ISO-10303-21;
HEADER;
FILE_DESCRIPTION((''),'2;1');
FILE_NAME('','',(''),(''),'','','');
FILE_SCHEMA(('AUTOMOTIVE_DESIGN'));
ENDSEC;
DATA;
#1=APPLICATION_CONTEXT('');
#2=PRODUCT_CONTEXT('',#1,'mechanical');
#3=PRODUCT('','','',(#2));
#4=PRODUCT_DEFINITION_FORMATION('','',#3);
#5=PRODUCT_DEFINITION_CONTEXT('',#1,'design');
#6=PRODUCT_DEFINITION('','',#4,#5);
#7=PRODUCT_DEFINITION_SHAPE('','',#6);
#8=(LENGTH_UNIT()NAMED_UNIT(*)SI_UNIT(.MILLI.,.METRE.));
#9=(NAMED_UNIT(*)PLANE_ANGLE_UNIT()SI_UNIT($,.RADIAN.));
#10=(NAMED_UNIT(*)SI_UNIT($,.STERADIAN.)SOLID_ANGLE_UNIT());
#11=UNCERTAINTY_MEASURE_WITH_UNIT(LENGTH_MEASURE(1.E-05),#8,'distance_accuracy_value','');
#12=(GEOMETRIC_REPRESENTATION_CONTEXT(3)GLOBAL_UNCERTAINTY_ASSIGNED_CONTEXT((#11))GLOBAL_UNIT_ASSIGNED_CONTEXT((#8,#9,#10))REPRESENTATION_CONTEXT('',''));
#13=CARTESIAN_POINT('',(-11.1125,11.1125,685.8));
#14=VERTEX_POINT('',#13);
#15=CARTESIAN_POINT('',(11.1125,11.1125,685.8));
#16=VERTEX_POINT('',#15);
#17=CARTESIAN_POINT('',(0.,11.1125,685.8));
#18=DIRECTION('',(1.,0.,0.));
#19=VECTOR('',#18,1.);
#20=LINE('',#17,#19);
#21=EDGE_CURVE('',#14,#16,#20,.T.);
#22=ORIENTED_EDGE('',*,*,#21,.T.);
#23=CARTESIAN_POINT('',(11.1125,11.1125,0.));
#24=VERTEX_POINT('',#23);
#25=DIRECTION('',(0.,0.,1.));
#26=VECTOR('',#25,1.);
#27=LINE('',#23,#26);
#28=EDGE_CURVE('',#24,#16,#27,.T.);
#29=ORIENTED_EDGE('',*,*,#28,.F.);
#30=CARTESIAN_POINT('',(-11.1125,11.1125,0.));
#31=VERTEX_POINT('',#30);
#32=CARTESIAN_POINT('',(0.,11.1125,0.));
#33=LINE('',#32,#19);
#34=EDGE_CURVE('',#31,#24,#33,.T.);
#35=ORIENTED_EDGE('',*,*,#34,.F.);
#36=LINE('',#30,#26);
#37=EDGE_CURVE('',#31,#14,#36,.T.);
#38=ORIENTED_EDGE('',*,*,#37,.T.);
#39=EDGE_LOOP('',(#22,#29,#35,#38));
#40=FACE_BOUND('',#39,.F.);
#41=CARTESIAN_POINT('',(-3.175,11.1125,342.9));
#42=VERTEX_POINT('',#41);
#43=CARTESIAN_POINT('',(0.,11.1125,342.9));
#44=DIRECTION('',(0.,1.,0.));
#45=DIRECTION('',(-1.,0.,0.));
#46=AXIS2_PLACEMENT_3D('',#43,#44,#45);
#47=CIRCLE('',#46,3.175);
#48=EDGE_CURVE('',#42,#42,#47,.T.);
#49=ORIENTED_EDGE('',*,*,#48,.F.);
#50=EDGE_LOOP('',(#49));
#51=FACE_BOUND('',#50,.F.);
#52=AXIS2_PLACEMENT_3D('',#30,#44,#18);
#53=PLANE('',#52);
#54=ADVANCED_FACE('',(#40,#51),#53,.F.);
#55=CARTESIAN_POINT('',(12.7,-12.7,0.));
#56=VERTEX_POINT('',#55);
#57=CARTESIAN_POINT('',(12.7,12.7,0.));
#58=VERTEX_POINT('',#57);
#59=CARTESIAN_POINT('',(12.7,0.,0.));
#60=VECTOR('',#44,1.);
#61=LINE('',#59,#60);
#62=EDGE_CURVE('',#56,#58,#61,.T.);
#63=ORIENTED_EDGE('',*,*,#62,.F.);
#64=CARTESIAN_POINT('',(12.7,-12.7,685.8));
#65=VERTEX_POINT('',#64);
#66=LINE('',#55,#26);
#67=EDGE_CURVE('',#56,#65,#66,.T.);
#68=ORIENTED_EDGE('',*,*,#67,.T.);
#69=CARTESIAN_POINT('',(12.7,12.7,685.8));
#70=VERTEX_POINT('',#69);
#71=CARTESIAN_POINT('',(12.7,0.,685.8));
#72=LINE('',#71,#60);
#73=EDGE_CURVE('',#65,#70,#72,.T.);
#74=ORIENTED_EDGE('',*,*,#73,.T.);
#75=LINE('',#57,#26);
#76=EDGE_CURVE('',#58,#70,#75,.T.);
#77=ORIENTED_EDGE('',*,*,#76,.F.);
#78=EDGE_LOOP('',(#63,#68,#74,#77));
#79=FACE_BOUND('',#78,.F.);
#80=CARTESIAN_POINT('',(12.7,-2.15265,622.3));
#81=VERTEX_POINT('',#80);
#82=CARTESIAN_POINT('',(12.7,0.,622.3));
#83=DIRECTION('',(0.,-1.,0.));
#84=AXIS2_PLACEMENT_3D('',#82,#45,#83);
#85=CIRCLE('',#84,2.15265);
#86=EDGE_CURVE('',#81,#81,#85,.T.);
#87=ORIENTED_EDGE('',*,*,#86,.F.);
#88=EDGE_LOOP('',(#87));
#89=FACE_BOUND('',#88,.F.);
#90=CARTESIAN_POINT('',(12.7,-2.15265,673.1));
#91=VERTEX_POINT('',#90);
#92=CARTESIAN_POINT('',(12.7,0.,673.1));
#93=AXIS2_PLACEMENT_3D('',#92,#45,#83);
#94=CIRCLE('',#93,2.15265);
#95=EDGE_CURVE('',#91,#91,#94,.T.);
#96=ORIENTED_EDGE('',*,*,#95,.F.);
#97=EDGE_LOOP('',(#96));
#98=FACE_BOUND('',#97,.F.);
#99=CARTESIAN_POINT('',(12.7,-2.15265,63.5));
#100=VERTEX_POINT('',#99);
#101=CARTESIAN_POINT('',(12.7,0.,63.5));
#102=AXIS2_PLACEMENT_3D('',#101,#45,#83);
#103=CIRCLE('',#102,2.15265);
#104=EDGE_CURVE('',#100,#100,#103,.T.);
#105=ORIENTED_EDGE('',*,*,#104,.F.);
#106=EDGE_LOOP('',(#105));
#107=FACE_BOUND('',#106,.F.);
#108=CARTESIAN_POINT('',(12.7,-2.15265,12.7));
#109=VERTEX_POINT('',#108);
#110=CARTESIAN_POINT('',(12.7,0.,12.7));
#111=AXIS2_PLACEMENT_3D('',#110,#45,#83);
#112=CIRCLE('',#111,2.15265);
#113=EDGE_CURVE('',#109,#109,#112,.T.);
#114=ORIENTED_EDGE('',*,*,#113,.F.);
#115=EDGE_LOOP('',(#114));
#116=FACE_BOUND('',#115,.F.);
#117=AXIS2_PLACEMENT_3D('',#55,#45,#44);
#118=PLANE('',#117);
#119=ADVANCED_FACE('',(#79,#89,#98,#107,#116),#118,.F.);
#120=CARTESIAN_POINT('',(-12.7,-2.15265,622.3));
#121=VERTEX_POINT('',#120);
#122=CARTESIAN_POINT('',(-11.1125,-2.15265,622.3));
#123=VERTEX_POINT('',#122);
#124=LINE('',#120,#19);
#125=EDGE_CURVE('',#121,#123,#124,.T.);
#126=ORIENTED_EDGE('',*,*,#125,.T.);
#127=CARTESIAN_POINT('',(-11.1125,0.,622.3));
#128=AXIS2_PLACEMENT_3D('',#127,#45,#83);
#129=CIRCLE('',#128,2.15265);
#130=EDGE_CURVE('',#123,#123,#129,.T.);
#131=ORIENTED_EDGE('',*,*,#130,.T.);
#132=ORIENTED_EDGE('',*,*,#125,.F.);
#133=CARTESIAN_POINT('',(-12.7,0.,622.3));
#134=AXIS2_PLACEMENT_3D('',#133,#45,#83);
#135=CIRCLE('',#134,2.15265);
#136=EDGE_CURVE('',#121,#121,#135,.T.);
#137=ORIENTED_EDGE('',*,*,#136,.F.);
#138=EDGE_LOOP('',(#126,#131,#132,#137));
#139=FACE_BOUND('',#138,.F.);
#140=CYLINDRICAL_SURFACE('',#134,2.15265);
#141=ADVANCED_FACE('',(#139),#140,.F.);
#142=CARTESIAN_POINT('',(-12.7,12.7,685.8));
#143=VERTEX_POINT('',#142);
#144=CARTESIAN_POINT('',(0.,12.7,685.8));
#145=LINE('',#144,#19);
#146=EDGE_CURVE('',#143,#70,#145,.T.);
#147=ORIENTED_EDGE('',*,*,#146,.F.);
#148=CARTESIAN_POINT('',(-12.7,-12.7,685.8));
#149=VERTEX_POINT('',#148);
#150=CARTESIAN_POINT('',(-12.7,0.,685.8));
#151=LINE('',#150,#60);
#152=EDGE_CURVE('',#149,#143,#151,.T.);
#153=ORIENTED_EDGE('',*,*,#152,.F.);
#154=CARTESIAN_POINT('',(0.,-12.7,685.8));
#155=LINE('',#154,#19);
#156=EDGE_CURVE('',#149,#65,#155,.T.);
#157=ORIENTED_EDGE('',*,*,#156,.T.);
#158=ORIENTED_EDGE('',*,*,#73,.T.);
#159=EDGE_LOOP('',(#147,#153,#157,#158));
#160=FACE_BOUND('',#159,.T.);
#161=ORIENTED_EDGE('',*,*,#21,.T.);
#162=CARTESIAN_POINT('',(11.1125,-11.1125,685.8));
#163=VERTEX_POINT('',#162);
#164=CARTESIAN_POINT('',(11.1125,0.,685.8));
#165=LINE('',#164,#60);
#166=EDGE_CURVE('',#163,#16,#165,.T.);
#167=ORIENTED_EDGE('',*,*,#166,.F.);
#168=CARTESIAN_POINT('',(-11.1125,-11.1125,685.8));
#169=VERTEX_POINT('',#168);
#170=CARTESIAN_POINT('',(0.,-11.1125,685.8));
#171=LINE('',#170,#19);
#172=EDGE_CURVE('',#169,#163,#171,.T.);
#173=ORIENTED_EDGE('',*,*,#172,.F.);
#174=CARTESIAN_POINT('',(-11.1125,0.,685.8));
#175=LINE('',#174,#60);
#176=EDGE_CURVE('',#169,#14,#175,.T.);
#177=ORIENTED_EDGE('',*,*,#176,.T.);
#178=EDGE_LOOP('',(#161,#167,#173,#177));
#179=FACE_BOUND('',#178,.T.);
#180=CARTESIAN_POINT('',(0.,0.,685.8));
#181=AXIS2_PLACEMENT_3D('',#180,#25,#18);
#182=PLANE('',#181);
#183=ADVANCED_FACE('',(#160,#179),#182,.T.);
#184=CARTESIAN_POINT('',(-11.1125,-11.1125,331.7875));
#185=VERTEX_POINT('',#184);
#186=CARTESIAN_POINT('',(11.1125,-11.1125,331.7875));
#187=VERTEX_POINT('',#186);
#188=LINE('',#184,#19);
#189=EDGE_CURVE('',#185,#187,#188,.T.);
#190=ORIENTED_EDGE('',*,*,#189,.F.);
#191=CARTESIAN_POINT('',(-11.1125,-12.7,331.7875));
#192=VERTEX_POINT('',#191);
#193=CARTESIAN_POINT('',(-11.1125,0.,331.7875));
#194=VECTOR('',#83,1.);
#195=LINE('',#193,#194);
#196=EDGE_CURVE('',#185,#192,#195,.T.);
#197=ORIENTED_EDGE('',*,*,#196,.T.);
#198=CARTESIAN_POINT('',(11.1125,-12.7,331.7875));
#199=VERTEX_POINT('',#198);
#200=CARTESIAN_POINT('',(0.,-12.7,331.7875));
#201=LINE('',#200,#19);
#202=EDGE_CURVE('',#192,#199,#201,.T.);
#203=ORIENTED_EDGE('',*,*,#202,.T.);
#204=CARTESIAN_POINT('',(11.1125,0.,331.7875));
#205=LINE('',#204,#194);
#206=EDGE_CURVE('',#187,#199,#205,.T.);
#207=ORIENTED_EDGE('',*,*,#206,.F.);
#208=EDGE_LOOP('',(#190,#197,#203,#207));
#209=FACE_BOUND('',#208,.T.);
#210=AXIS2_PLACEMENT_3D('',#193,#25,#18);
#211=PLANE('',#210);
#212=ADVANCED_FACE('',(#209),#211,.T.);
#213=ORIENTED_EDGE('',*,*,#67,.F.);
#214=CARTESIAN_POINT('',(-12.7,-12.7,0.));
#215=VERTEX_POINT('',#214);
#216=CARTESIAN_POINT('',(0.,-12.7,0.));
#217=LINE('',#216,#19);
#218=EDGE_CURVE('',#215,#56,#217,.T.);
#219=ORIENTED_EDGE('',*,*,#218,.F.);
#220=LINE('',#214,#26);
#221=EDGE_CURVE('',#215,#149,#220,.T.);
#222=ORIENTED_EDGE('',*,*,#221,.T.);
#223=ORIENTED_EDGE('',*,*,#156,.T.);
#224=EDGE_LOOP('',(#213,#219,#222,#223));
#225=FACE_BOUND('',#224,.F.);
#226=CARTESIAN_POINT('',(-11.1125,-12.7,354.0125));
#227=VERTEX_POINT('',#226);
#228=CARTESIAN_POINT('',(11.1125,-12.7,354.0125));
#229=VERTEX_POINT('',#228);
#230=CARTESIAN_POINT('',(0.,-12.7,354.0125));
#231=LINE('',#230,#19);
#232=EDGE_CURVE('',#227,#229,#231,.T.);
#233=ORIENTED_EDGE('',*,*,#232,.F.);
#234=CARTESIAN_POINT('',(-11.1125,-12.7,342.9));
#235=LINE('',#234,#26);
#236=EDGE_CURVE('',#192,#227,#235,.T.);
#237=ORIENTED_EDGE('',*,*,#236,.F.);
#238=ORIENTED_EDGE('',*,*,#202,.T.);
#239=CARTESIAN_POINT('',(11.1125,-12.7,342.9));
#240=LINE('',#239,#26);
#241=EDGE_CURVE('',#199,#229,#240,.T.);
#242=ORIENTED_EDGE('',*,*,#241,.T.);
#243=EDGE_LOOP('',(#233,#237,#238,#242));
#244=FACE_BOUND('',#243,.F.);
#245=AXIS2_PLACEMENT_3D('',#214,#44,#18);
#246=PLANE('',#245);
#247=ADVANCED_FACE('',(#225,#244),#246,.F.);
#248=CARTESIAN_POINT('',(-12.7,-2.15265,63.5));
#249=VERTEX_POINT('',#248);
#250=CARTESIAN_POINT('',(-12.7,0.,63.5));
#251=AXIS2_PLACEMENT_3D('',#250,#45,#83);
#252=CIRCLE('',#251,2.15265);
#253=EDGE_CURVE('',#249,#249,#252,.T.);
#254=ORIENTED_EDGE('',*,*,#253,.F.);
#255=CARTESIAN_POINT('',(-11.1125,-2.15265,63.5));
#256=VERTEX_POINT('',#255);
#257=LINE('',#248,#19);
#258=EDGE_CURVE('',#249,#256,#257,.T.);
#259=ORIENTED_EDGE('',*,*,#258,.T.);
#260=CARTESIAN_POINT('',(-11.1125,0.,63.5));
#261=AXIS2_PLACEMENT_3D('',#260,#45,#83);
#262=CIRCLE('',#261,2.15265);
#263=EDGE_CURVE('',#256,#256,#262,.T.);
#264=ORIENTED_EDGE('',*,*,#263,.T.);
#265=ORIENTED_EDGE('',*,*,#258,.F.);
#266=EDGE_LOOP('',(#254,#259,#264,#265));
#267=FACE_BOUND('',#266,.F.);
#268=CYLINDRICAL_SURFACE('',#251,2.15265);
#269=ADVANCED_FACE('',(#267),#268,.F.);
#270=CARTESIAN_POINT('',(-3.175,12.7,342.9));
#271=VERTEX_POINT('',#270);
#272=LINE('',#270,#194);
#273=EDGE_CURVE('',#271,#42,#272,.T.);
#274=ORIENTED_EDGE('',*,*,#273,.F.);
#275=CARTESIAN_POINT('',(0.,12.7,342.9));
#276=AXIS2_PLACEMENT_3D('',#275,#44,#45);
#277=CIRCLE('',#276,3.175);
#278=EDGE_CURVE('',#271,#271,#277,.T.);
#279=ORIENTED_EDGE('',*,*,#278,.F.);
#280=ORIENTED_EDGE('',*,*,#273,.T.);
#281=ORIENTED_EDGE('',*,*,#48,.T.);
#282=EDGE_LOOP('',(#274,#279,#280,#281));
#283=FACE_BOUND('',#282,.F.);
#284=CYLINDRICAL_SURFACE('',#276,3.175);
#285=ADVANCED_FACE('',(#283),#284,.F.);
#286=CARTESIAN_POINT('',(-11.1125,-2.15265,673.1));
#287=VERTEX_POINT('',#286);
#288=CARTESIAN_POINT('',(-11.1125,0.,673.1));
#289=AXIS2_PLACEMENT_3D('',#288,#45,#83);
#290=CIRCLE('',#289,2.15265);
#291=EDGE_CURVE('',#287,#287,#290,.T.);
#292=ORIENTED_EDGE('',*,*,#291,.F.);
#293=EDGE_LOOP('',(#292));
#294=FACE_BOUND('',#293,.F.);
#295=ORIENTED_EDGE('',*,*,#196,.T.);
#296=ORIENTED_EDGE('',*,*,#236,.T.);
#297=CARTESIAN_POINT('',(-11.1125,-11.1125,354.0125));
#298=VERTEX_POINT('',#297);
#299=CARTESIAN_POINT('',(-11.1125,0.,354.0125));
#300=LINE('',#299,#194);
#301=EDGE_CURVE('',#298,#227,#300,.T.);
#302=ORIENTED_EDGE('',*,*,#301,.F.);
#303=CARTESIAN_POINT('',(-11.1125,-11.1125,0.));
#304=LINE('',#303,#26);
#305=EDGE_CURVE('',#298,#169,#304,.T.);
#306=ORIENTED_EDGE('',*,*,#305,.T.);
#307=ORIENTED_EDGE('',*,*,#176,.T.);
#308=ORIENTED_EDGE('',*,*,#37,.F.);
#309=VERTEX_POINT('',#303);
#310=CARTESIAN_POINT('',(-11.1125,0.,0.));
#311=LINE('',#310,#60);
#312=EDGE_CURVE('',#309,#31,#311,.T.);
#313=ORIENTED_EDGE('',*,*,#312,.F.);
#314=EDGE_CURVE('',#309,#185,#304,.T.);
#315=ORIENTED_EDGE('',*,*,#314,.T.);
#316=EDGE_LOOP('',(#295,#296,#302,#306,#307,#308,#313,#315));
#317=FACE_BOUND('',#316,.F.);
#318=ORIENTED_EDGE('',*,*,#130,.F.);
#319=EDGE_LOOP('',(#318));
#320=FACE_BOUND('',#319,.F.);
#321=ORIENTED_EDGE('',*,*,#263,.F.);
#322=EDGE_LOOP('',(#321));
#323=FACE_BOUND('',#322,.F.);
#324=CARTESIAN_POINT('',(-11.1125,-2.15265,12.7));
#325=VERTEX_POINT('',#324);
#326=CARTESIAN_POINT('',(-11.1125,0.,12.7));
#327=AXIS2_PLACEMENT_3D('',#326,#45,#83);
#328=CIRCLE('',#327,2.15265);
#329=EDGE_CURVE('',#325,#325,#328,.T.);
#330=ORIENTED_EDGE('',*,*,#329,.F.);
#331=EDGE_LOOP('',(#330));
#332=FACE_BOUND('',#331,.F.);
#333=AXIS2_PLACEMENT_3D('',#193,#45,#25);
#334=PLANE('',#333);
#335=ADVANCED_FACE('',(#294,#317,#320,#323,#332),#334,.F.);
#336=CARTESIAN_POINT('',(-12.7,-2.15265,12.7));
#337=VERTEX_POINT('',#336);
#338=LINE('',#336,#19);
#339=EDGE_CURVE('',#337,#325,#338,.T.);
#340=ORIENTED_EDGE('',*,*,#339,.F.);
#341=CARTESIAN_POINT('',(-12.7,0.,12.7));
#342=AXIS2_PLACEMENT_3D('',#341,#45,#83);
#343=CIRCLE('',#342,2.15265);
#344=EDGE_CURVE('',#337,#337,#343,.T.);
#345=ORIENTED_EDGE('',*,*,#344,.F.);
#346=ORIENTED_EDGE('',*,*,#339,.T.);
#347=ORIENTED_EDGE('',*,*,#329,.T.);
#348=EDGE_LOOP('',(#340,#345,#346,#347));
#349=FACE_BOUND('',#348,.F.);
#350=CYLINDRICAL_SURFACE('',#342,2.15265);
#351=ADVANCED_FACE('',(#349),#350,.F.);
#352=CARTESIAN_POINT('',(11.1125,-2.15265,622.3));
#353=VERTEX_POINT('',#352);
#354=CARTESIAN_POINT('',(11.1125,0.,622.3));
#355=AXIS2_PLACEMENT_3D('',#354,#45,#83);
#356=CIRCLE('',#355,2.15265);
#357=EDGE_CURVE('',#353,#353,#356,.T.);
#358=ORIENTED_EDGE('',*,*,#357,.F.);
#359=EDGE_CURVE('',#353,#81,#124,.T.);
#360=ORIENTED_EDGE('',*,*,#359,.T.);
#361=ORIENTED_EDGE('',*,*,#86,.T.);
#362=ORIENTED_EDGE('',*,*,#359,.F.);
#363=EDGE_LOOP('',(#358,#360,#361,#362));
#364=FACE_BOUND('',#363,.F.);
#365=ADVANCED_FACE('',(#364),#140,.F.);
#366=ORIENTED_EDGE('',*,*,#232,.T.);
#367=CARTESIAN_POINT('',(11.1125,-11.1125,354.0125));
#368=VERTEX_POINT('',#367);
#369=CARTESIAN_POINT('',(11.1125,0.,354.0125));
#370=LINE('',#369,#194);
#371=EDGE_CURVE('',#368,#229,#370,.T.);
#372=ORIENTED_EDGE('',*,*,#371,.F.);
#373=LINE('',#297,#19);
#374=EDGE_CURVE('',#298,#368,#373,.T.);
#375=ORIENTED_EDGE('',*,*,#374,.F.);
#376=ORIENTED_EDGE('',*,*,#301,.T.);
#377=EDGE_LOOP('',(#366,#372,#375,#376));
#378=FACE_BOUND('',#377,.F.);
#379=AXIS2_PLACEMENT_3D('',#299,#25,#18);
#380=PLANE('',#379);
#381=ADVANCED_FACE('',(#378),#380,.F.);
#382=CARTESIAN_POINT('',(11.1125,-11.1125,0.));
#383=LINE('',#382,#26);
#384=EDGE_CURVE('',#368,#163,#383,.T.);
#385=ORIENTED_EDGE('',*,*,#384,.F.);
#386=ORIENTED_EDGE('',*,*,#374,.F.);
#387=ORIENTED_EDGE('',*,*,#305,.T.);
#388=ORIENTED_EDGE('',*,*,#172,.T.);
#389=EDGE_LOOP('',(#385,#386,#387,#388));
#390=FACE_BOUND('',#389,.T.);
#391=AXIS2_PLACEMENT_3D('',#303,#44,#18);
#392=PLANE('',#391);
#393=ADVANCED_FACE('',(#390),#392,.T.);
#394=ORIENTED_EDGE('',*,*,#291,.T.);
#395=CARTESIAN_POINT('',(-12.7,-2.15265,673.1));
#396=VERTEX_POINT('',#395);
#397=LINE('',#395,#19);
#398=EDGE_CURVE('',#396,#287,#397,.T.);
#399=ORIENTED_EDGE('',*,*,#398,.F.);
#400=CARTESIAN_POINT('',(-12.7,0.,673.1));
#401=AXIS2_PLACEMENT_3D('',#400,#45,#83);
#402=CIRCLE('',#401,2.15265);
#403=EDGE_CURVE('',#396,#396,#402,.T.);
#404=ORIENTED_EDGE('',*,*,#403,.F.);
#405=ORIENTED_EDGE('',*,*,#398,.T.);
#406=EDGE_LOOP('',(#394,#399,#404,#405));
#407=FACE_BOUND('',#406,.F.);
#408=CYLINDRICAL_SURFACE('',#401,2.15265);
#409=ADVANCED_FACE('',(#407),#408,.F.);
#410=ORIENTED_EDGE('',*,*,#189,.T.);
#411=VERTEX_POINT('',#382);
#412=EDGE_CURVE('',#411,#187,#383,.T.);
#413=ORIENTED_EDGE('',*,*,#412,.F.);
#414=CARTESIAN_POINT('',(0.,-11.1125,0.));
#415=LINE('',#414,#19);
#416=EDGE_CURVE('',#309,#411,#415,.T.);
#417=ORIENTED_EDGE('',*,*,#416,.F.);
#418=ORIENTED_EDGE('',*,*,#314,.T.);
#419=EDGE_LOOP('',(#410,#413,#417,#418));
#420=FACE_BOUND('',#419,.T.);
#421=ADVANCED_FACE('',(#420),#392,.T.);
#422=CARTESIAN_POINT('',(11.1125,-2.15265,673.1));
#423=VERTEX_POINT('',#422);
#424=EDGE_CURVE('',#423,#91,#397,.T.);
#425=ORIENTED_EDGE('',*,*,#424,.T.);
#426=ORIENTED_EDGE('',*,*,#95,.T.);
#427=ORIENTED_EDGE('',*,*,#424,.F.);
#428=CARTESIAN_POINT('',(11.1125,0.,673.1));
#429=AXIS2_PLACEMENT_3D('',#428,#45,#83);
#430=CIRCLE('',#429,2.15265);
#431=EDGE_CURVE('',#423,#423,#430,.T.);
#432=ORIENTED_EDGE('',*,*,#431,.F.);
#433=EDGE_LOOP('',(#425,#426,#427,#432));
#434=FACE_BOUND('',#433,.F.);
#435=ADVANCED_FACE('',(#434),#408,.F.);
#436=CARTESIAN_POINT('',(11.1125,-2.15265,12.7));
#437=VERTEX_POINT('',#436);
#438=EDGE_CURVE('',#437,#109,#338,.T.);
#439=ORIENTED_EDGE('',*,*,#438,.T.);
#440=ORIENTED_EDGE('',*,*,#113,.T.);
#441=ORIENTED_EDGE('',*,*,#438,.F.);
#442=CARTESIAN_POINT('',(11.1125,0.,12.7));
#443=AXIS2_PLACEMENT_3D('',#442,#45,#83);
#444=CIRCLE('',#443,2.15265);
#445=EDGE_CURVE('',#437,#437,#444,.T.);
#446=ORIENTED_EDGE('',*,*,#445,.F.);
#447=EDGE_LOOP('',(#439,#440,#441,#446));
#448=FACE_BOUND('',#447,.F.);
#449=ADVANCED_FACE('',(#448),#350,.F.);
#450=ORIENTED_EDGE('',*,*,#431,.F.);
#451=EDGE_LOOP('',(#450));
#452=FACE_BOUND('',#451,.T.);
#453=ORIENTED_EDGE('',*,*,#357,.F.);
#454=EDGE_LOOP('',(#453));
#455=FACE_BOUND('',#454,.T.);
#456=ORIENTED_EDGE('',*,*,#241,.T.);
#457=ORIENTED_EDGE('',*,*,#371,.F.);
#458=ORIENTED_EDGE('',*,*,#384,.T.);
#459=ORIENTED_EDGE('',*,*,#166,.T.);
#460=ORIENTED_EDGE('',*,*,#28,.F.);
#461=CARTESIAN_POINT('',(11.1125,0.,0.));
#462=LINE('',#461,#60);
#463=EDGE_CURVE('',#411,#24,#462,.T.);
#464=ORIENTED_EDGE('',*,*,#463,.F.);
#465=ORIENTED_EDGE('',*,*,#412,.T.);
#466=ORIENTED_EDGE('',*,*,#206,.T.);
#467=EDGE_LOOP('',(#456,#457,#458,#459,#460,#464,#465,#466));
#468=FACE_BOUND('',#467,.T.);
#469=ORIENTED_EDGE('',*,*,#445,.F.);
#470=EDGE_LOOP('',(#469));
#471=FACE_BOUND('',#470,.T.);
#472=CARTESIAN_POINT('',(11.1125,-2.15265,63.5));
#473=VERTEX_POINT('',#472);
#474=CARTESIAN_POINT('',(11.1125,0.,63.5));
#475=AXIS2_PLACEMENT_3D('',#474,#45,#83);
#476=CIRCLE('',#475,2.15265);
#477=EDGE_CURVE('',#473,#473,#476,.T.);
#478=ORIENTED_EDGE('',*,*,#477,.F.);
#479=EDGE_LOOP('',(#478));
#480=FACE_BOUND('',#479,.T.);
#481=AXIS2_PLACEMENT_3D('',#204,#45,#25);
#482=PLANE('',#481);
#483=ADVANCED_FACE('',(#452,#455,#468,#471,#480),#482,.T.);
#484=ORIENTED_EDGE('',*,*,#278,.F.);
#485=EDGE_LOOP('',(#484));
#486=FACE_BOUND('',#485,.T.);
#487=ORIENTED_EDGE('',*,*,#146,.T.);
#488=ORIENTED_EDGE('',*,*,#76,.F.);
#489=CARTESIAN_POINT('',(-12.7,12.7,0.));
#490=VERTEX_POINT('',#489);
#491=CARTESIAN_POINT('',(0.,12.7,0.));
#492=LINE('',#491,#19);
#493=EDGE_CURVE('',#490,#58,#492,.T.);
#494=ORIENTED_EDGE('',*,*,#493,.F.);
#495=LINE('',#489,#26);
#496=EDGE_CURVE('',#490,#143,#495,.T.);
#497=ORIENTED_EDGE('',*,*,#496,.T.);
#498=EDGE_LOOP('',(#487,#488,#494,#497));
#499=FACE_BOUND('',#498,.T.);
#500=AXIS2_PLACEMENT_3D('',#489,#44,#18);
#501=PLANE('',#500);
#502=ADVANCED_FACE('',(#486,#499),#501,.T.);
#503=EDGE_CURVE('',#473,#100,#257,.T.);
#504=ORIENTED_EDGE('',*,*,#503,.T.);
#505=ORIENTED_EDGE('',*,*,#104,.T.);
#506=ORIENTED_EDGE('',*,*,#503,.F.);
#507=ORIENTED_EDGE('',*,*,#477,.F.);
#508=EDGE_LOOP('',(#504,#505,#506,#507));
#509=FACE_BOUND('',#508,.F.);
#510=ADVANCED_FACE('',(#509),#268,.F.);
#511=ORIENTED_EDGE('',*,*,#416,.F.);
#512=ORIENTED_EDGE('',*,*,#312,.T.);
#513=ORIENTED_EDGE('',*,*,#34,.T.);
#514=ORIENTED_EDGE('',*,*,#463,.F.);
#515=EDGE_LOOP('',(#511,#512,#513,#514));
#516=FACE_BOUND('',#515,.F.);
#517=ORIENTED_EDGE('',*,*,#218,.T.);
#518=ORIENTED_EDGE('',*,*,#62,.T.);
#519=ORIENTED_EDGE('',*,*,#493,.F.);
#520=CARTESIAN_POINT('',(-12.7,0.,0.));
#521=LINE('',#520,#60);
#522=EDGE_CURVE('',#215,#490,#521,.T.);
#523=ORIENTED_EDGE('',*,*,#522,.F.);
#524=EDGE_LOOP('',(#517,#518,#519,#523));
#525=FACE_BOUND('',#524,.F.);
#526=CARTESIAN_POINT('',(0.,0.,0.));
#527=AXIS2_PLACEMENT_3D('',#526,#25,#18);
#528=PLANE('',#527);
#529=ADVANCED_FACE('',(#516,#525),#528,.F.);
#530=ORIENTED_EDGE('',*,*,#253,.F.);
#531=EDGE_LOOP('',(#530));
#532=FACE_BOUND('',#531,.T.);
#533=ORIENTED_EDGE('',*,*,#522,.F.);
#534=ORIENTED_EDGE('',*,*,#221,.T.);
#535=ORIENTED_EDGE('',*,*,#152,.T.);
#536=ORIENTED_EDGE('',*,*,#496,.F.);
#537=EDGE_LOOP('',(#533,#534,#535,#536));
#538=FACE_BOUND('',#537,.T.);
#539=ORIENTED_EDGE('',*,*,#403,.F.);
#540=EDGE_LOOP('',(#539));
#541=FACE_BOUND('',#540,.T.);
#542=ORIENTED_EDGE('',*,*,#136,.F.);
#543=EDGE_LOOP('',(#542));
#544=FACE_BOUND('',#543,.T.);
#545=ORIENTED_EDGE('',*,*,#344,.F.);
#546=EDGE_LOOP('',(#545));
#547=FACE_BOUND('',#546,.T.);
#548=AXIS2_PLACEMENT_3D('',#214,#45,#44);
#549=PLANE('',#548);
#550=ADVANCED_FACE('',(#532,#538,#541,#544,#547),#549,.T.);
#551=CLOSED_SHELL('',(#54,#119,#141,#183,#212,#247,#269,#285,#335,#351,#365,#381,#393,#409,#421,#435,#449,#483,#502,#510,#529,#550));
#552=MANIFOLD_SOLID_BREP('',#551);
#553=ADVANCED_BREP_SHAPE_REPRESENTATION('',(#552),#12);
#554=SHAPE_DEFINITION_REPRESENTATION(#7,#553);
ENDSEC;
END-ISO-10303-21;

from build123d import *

# Parameters (mm, degrees)
F0_W     = 25.4
F0_H     = 25.4
F0_W_2   = 22.225
F0_H_2   = 22.225
F1_DEPTH = 685.8
F2_W     = 22.225
F2_H     = 22.225
F3_DEPTH = 12.7
F4_R     = 3.175
F5_DEPTH = 1.5875
F6_R     = 2.15265
F7_DEPTH = 25.4


with BuildPart() as f1:
    # F0 (on Top) → F1 (new body)
    with BuildSketch(Plane.XY):
        Rectangle(F0_W, F0_H)
        Rectangle(F0_W_2, F0_H_2, mode=Mode.SUBTRACT)
    extrude(amount=F1_DEPTH)

    # F2 (on Front) → F3 (cut, through all)
    with BuildSketch(Plane.XZ):
        with Locations((0, 342.9)):
            Rectangle(F2_W, F2_H)
    extrude(amount=F3_DEPTH, mode=Mode.SUBTRACT)

    # F4 (on face) → F5 (cut, through all)
    with BuildSketch(Plane(origin=(0, 12.7, 0), x_dir=(-1, 0, 0), z_dir=(0, 1, 0))):
        with Locations((0, 342.9)):
            Circle(F4_R)
    extrude(amount=-F5_DEPTH, mode=Mode.SUBTRACT)

    # F6 (on face) → F7 (cut, through all)
    with BuildSketch(Plane(origin=(-12.7, 0, 0), x_dir=(0, -1, 0), z_dir=(-1, 0, 0))):
        with Locations((0, 12.7)):
            Circle(F6_R)
        with Locations((0, 63.5)):
            Circle(F6_R)
        with Locations((0, 673.1)):
            Circle(F6_R)
        with Locations((0, 622.3)):
            Circle(F6_R)
    extrude(amount=-F7_DEPTH, mode=Mode.SUBTRACT)


solid = f1.part
